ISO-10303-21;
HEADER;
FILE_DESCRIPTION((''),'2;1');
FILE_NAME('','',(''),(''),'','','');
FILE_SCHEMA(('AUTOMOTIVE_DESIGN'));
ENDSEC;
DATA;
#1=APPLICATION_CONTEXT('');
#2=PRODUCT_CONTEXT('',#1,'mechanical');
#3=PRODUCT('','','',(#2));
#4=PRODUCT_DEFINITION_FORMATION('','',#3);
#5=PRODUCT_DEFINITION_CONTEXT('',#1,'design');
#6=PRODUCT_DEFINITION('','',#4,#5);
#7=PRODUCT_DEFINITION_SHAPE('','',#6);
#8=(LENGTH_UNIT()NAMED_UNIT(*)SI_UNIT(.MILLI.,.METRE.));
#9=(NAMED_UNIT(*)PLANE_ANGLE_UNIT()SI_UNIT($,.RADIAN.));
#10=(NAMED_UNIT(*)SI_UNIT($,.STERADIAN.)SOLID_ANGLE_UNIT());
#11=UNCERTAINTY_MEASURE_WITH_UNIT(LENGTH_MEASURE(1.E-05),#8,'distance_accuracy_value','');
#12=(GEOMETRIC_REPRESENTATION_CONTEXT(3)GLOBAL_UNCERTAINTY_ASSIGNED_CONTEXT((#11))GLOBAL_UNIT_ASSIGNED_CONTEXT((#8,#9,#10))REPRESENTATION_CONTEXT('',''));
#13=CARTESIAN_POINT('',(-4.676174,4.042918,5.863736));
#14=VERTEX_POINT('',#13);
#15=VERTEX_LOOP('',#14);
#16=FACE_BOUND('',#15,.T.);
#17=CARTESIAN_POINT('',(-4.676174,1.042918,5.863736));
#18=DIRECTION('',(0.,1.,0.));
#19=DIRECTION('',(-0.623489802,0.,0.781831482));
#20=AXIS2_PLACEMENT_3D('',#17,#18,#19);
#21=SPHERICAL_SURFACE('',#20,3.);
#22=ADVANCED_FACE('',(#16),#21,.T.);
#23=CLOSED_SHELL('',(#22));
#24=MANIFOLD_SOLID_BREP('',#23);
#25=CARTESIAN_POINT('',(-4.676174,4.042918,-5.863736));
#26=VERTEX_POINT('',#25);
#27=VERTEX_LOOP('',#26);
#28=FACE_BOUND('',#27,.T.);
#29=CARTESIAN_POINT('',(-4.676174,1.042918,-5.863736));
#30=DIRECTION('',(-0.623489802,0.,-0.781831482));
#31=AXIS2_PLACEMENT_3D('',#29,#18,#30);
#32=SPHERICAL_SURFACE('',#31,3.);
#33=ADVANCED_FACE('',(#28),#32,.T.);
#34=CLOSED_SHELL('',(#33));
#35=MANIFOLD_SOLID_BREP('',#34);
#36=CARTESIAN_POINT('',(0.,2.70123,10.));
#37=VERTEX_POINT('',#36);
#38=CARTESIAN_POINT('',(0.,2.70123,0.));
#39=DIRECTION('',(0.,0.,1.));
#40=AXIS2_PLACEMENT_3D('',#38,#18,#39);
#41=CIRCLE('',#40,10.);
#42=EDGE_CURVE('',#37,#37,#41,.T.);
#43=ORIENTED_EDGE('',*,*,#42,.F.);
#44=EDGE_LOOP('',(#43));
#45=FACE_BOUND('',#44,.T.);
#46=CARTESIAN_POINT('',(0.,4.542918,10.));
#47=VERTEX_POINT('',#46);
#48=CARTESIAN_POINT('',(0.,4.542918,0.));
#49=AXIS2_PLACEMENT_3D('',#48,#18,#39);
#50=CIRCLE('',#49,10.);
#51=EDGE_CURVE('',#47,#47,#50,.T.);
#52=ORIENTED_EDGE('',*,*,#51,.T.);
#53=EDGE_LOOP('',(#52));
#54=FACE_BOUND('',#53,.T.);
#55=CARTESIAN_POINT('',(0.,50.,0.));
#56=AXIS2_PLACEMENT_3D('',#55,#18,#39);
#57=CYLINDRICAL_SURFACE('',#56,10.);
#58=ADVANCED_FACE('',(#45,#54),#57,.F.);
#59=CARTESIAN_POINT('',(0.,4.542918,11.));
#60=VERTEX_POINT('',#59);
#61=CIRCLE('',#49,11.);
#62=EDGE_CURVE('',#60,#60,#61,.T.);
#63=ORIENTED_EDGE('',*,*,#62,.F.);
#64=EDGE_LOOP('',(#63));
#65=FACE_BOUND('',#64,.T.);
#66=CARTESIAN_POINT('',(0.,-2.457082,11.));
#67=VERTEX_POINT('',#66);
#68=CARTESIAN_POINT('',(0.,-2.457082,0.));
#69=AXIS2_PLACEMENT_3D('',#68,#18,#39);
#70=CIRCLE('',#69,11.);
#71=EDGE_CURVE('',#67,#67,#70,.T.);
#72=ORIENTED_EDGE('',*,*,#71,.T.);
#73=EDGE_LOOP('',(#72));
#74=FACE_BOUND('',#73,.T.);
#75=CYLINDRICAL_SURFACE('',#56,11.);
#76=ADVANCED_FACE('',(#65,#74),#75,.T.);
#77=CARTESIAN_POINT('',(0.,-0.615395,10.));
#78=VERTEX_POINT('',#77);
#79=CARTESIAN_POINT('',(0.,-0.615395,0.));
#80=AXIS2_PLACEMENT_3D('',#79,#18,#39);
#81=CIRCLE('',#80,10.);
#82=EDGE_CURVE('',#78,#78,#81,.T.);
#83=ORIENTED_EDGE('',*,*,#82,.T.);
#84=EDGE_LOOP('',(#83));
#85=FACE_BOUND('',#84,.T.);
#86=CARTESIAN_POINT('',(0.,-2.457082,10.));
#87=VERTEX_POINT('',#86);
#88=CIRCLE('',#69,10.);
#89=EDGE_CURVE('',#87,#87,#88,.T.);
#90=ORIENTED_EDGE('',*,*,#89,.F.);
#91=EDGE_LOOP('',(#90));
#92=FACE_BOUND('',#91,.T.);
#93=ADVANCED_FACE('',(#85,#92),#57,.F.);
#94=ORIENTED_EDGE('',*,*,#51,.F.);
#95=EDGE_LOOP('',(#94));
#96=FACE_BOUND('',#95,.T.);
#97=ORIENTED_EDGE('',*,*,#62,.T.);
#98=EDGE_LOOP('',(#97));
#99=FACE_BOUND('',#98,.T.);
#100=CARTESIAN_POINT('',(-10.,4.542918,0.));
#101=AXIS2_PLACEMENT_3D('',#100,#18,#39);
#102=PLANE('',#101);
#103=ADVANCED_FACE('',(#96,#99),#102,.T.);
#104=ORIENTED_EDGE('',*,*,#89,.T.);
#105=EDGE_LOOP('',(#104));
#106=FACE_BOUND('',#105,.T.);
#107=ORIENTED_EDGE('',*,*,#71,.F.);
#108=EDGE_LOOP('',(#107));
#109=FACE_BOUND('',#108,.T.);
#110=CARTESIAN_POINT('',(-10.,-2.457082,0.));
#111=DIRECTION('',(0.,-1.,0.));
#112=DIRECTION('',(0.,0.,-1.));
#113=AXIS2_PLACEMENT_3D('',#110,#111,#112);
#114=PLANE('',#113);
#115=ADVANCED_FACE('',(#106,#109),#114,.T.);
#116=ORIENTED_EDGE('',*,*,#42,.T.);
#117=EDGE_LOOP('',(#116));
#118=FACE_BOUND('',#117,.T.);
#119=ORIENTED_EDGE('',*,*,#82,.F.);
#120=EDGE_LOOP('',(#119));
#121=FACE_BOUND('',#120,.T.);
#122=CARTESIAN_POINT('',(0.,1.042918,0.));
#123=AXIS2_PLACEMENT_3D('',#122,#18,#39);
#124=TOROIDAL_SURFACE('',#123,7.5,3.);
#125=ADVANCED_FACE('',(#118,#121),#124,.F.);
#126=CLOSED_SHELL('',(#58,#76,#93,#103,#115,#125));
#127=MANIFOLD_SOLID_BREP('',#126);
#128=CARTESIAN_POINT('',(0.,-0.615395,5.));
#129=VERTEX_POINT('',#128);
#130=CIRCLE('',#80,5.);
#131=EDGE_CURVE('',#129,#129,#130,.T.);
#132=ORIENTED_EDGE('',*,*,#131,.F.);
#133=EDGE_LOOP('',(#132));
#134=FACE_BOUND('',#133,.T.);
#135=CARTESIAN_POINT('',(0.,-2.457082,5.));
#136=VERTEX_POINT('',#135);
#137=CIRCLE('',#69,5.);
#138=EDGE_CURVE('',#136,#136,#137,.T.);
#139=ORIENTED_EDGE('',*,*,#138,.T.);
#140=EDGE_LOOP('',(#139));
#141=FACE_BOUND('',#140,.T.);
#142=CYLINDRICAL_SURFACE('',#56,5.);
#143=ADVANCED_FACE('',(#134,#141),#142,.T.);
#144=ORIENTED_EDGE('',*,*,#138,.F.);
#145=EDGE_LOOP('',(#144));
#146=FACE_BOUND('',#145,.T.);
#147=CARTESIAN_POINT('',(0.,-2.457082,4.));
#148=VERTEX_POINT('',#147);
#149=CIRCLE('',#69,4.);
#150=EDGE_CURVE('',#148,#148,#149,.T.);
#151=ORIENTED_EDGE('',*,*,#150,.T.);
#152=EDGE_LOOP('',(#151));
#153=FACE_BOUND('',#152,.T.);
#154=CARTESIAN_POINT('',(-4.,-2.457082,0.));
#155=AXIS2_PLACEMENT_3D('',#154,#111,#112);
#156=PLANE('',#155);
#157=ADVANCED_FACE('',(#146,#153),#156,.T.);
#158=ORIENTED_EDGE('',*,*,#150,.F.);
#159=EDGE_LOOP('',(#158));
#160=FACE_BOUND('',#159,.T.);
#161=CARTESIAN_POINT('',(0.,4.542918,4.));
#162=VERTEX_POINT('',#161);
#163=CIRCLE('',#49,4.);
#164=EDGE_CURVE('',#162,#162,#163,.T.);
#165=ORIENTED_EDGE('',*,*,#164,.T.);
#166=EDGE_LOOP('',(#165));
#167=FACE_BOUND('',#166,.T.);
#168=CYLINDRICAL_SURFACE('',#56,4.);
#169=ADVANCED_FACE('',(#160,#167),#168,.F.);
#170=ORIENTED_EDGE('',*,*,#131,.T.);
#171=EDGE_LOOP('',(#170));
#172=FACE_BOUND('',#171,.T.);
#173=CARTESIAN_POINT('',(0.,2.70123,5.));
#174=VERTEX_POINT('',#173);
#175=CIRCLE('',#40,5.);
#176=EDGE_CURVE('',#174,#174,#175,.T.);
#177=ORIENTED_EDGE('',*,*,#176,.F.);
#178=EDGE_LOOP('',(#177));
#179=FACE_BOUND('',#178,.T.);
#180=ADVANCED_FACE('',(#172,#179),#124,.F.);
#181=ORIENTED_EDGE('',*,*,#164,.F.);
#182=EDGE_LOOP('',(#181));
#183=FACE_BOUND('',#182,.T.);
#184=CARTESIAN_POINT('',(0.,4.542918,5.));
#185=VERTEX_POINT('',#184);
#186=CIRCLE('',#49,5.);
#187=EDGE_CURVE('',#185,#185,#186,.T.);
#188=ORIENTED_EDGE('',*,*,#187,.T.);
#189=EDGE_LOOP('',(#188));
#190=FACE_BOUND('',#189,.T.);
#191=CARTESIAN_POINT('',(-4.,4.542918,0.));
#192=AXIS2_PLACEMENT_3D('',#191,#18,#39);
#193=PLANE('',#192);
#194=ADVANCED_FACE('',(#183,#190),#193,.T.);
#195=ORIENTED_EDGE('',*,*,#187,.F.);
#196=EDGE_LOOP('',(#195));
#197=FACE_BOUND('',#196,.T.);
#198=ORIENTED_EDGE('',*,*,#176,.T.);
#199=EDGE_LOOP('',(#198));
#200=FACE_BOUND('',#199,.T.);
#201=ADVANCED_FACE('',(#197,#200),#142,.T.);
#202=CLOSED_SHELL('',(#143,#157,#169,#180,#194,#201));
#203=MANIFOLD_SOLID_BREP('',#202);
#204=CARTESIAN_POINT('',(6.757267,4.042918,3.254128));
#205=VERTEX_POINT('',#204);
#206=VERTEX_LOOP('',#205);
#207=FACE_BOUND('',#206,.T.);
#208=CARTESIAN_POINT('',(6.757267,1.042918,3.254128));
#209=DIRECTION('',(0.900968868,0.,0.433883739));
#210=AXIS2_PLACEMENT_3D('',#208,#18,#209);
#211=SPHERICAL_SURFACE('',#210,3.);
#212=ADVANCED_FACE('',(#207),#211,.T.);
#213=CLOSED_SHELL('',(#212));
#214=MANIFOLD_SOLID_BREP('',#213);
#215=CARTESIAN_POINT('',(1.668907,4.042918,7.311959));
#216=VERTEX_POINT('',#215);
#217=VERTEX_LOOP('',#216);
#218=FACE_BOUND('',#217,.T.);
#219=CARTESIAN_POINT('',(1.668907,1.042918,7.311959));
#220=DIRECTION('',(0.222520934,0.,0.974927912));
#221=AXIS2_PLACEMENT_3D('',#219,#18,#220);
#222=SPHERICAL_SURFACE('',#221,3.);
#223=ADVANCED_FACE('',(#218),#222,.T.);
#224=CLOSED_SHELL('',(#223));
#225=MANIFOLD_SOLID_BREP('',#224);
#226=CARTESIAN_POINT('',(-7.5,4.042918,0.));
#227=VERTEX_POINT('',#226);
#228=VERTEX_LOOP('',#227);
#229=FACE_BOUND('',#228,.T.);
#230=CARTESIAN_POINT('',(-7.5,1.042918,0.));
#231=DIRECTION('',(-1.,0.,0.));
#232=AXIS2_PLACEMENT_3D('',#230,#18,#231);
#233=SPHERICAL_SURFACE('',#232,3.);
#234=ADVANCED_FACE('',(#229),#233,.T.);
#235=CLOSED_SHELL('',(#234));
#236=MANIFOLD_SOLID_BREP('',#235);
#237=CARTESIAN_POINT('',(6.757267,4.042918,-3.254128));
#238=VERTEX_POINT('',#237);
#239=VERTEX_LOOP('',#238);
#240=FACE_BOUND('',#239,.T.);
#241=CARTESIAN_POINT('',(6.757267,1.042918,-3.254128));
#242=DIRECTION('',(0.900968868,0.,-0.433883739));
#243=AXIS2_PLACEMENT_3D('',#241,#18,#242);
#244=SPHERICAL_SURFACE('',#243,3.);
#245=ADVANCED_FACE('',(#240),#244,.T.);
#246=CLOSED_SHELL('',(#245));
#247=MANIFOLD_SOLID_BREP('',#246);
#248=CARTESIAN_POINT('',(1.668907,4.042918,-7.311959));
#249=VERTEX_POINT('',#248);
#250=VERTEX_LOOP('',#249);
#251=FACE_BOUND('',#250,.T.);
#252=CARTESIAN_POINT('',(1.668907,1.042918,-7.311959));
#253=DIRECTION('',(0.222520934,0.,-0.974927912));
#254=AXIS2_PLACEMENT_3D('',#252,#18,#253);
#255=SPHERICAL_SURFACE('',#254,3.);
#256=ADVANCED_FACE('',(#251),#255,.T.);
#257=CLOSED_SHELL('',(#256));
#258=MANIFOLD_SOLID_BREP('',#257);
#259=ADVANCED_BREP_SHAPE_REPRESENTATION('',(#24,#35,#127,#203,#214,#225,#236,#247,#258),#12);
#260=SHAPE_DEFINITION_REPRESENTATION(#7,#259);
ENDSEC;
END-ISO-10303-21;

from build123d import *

# Parameters (mm, degrees)
CIRPATTERN3_COUNT = 7


with BuildPart() as part:
    # Sketch3 → ball (revolve)
    with BuildSketch(Plane.XY):
        with BuildLine():
            Line((-7.5, 4.042917623), (-7.5, -1.957082377))
            ThreePointArc((-7.5, -1.957082377), (-4.5, 1.042917623), (-7.5, 4.042917623))
        make_face()
    revolve(axis=Axis((-7.5, 4.042917623, 0), (0, -1, 0)))


with BuildPart() as body_2:
    # Sketch1 → body (revolve)
    with BuildSketch(Plane.XY):
        with BuildLine():
            Line((-4, 4.542917623), (-5, 4.542917623))
            Line((-5, 4.542917623), (-5, 2.701230018))
            ThreePointArc((-5, 2.701230018), (-4.5, 1.042917623), (-5, -0.615394772))
            Line((-5, -0.615394772), (-5, -2.457082377))
            Line((-5, -2.457082377), (-4, -2.457082377))
            Line((-4, -2.457082377), (-4, 4.542917623))
        make_face()
        with BuildLine():
            Line((-10, 4.542917623), (-11, 4.542917623))
            Line((-11, 4.542917623), (-11, -2.457082377))
            Line((-11, -2.457082377), (-10, -2.457082377))
            Line((-10, -2.457082377), (-10, -0.615394772))
            ThreePointArc((-10, -0.615394772), (-10.5, 1.042917623), (-10, 2.701230018))
            Line((-10, 2.701230018), (-10, 4.542917623))
        make_face()
    revolve(axis=Axis((0, 50, 0), (0, -1, 0)))


with BuildPart() as cirpattern3_1:
    # CirPattern3: pattern copy
    add(part.part.rotate(Axis((0, 0, 0), (0, 1, 0)), 1 * 360 / CIRPATTERN3_COUNT))


with BuildPart() as cirpattern3_2:
    # CirPattern3: pattern copy
    add(part.part.rotate(Axis((0, 0, 0), (0, 1, 0)), 2 * 360 / CIRPATTERN3_COUNT))


with BuildPart() as cirpattern3_3:
    # CirPattern3: pattern copy
    add(part.part.rotate(Axis((0, 0, 0), (0, 1, 0)), 3 * 360 / CIRPATTERN3_COUNT))


with BuildPart() as cirpattern3_4:
    # CirPattern3: pattern copy
    add(part.part.rotate(Axis((0, 0, 0), (0, 1, 0)), 4 * 360 / CIRPATTERN3_COUNT))


with BuildPart() as cirpattern3_5:
    # CirPattern3: pattern copy
    add(part.part.rotate(Axis((0, 0, 0), (0, 1, 0)), 5 * 360 / CIRPATTERN3_COUNT))


with BuildPart() as cirpattern3_6:
    # CirPattern3: pattern copy
    add(part.part.rotate(Axis((0, 0, 0), (0, 1, 0)), 6 * 360 / CIRPATTERN3_COUNT))


solid = Compound([part.part, body_2.part, cirpattern3_1.part, cirpattern3_2.part, cirpattern3_3.part, cirpattern3_4.part, cirpattern3_5.part, cirpattern3_6.part])
